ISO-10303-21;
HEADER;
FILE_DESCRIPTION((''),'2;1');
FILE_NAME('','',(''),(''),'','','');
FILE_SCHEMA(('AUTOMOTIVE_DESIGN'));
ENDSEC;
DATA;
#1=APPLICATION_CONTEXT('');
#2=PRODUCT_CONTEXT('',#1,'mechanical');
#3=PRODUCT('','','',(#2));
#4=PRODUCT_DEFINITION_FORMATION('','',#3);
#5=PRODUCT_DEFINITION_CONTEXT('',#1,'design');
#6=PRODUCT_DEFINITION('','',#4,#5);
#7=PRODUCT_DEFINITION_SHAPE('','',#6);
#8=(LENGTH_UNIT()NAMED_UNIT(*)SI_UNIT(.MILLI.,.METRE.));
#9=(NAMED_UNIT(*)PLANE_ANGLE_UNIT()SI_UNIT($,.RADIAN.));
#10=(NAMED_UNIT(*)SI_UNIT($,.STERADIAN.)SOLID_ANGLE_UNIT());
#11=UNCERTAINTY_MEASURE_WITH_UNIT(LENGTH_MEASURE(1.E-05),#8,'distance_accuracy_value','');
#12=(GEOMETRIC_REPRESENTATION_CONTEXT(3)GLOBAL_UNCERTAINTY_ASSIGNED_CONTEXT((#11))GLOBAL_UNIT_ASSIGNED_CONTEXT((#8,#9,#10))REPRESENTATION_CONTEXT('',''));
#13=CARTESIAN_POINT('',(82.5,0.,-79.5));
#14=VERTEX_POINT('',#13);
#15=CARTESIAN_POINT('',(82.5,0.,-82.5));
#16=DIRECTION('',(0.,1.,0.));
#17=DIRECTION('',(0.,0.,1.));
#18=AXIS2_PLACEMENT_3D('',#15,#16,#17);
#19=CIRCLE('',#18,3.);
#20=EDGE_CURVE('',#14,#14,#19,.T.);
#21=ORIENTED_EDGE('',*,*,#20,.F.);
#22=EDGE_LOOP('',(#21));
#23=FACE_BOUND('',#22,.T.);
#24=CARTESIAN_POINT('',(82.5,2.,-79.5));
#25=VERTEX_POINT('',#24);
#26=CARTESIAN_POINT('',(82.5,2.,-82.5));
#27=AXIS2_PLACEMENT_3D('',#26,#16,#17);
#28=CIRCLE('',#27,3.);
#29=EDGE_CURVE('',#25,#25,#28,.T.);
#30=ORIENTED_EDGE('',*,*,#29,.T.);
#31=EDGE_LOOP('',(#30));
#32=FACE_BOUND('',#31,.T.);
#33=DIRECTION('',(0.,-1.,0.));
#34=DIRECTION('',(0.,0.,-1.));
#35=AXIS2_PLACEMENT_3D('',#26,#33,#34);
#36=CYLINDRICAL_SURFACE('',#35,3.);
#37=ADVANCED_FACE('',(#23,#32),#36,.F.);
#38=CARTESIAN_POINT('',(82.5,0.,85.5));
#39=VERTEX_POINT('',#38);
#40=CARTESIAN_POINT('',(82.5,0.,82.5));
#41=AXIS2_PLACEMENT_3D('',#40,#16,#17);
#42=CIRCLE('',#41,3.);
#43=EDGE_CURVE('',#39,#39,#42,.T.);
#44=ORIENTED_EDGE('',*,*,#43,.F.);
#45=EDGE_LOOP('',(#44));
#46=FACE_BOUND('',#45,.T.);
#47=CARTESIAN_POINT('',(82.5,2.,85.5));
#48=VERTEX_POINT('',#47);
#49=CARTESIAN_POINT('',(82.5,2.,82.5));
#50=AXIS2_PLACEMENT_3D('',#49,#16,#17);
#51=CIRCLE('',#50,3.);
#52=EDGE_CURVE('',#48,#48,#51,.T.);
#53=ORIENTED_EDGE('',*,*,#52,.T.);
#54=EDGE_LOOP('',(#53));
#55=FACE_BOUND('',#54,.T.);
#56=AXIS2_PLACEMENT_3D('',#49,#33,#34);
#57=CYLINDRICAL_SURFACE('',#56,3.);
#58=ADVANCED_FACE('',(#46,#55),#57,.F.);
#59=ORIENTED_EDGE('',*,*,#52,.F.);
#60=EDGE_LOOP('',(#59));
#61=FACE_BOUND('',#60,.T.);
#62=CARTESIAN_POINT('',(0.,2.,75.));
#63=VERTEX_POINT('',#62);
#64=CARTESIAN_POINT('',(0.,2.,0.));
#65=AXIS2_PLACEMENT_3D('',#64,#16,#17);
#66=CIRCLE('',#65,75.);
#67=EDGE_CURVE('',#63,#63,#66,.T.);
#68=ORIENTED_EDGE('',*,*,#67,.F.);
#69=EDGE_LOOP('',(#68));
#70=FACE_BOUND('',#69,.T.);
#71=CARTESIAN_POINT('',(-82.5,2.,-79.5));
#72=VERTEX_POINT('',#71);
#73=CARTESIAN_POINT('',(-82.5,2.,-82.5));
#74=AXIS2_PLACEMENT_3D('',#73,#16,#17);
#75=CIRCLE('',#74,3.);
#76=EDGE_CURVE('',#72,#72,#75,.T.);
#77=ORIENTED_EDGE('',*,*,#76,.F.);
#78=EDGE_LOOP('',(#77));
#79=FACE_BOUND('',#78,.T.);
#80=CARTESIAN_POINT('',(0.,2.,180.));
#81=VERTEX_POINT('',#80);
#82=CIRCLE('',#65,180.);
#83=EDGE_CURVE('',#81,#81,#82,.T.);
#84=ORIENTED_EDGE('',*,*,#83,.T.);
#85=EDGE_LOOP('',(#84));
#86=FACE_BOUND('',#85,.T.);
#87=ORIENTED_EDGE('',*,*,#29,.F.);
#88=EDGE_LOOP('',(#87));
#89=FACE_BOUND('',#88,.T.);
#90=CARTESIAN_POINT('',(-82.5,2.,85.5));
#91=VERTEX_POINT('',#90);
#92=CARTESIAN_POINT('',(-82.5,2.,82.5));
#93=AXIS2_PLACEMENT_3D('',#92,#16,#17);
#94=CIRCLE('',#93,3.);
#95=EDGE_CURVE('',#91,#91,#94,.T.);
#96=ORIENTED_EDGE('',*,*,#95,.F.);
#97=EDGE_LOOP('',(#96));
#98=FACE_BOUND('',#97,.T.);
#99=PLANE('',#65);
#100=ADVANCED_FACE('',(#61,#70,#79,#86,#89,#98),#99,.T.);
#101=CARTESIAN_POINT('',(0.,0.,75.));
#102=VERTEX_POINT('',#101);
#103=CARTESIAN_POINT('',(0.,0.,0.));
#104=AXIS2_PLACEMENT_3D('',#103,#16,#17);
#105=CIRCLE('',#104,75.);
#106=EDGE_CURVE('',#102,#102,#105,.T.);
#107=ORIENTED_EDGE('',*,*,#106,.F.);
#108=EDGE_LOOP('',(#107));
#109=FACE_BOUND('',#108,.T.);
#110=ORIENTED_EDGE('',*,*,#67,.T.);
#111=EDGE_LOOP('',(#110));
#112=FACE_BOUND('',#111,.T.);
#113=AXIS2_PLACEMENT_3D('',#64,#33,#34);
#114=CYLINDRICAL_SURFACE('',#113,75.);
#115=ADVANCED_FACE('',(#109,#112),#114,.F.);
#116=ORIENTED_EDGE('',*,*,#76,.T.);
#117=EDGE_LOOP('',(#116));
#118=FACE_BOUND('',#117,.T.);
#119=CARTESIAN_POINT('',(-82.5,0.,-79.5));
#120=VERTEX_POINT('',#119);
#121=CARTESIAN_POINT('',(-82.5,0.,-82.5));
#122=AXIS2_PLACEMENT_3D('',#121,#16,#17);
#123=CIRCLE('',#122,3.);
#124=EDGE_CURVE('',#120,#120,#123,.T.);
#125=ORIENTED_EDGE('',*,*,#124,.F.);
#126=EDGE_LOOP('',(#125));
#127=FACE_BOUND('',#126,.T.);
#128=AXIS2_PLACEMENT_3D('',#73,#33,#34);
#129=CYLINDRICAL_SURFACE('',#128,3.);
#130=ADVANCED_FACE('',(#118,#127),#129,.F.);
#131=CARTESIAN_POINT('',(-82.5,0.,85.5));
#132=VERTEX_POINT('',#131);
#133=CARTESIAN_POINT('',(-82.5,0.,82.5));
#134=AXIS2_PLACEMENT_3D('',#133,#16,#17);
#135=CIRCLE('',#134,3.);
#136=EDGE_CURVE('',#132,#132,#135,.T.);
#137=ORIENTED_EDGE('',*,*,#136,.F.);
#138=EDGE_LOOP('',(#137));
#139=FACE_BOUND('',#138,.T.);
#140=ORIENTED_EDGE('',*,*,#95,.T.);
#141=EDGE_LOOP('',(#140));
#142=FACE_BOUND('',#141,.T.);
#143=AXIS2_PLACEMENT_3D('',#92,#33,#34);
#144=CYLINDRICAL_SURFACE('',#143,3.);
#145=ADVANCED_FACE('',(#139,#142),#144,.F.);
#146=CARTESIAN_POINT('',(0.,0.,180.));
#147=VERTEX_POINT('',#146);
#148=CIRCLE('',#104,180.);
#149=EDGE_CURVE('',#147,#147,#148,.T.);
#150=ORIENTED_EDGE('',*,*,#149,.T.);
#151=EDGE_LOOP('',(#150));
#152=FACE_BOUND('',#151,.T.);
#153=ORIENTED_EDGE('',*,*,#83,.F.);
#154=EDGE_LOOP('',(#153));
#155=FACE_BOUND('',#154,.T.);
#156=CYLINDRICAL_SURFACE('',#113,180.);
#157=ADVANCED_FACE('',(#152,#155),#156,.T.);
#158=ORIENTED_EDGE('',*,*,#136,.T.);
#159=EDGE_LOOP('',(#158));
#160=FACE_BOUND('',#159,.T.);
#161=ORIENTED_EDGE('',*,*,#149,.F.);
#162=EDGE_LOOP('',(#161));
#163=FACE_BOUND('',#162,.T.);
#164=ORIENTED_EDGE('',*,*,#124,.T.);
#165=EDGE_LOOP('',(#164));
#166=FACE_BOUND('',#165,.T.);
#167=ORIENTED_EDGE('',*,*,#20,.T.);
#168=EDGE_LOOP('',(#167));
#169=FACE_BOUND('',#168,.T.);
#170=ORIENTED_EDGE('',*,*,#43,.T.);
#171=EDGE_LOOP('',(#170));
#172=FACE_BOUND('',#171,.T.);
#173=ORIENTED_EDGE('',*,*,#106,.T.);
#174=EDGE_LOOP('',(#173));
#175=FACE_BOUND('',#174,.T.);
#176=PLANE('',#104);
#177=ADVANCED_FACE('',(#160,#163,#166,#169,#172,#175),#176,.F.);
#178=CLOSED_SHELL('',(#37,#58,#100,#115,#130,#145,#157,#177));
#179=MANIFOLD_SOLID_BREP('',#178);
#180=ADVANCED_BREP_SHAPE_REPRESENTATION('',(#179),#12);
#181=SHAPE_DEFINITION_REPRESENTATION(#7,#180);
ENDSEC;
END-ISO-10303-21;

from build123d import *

# Parameters (mm, degrees)
SKETCH1_R           = 180
SKETCH1_R_2         = 75
SKETCH1_R_3         = 3
BOSS_EXTRUDE1_DEPTH = 2


with BuildPart() as part:
    # Sketch1 → Boss-Extrude1 (new body)
    with BuildSketch(Plane(origin=(0, 0, 0), x_dir=(1, 0, 0), z_dir=(0, 1, 0))):
        Circle(SKETCH1_R)
        Circle(SKETCH1_R_2, mode=Mode.SUBTRACT)
        with Locations((-82.5, 82.5)):
            Circle(SKETCH1_R_3, mode=Mode.SUBTRACT)
        with Locations((82.5, 82.5)):
            Circle(SKETCH1_R_3, mode=Mode.SUBTRACT)
        with Locations((82.5, -82.5)):
            Circle(SKETCH1_R_3, mode=Mode.SUBTRACT)
        with Locations((-82.5, -82.5)):
            Circle(SKETCH1_R_3, mode=Mode.SUBTRACT)
    extrude(amount=BOSS_EXTRUDE1_DEPTH)


solid = part.part
